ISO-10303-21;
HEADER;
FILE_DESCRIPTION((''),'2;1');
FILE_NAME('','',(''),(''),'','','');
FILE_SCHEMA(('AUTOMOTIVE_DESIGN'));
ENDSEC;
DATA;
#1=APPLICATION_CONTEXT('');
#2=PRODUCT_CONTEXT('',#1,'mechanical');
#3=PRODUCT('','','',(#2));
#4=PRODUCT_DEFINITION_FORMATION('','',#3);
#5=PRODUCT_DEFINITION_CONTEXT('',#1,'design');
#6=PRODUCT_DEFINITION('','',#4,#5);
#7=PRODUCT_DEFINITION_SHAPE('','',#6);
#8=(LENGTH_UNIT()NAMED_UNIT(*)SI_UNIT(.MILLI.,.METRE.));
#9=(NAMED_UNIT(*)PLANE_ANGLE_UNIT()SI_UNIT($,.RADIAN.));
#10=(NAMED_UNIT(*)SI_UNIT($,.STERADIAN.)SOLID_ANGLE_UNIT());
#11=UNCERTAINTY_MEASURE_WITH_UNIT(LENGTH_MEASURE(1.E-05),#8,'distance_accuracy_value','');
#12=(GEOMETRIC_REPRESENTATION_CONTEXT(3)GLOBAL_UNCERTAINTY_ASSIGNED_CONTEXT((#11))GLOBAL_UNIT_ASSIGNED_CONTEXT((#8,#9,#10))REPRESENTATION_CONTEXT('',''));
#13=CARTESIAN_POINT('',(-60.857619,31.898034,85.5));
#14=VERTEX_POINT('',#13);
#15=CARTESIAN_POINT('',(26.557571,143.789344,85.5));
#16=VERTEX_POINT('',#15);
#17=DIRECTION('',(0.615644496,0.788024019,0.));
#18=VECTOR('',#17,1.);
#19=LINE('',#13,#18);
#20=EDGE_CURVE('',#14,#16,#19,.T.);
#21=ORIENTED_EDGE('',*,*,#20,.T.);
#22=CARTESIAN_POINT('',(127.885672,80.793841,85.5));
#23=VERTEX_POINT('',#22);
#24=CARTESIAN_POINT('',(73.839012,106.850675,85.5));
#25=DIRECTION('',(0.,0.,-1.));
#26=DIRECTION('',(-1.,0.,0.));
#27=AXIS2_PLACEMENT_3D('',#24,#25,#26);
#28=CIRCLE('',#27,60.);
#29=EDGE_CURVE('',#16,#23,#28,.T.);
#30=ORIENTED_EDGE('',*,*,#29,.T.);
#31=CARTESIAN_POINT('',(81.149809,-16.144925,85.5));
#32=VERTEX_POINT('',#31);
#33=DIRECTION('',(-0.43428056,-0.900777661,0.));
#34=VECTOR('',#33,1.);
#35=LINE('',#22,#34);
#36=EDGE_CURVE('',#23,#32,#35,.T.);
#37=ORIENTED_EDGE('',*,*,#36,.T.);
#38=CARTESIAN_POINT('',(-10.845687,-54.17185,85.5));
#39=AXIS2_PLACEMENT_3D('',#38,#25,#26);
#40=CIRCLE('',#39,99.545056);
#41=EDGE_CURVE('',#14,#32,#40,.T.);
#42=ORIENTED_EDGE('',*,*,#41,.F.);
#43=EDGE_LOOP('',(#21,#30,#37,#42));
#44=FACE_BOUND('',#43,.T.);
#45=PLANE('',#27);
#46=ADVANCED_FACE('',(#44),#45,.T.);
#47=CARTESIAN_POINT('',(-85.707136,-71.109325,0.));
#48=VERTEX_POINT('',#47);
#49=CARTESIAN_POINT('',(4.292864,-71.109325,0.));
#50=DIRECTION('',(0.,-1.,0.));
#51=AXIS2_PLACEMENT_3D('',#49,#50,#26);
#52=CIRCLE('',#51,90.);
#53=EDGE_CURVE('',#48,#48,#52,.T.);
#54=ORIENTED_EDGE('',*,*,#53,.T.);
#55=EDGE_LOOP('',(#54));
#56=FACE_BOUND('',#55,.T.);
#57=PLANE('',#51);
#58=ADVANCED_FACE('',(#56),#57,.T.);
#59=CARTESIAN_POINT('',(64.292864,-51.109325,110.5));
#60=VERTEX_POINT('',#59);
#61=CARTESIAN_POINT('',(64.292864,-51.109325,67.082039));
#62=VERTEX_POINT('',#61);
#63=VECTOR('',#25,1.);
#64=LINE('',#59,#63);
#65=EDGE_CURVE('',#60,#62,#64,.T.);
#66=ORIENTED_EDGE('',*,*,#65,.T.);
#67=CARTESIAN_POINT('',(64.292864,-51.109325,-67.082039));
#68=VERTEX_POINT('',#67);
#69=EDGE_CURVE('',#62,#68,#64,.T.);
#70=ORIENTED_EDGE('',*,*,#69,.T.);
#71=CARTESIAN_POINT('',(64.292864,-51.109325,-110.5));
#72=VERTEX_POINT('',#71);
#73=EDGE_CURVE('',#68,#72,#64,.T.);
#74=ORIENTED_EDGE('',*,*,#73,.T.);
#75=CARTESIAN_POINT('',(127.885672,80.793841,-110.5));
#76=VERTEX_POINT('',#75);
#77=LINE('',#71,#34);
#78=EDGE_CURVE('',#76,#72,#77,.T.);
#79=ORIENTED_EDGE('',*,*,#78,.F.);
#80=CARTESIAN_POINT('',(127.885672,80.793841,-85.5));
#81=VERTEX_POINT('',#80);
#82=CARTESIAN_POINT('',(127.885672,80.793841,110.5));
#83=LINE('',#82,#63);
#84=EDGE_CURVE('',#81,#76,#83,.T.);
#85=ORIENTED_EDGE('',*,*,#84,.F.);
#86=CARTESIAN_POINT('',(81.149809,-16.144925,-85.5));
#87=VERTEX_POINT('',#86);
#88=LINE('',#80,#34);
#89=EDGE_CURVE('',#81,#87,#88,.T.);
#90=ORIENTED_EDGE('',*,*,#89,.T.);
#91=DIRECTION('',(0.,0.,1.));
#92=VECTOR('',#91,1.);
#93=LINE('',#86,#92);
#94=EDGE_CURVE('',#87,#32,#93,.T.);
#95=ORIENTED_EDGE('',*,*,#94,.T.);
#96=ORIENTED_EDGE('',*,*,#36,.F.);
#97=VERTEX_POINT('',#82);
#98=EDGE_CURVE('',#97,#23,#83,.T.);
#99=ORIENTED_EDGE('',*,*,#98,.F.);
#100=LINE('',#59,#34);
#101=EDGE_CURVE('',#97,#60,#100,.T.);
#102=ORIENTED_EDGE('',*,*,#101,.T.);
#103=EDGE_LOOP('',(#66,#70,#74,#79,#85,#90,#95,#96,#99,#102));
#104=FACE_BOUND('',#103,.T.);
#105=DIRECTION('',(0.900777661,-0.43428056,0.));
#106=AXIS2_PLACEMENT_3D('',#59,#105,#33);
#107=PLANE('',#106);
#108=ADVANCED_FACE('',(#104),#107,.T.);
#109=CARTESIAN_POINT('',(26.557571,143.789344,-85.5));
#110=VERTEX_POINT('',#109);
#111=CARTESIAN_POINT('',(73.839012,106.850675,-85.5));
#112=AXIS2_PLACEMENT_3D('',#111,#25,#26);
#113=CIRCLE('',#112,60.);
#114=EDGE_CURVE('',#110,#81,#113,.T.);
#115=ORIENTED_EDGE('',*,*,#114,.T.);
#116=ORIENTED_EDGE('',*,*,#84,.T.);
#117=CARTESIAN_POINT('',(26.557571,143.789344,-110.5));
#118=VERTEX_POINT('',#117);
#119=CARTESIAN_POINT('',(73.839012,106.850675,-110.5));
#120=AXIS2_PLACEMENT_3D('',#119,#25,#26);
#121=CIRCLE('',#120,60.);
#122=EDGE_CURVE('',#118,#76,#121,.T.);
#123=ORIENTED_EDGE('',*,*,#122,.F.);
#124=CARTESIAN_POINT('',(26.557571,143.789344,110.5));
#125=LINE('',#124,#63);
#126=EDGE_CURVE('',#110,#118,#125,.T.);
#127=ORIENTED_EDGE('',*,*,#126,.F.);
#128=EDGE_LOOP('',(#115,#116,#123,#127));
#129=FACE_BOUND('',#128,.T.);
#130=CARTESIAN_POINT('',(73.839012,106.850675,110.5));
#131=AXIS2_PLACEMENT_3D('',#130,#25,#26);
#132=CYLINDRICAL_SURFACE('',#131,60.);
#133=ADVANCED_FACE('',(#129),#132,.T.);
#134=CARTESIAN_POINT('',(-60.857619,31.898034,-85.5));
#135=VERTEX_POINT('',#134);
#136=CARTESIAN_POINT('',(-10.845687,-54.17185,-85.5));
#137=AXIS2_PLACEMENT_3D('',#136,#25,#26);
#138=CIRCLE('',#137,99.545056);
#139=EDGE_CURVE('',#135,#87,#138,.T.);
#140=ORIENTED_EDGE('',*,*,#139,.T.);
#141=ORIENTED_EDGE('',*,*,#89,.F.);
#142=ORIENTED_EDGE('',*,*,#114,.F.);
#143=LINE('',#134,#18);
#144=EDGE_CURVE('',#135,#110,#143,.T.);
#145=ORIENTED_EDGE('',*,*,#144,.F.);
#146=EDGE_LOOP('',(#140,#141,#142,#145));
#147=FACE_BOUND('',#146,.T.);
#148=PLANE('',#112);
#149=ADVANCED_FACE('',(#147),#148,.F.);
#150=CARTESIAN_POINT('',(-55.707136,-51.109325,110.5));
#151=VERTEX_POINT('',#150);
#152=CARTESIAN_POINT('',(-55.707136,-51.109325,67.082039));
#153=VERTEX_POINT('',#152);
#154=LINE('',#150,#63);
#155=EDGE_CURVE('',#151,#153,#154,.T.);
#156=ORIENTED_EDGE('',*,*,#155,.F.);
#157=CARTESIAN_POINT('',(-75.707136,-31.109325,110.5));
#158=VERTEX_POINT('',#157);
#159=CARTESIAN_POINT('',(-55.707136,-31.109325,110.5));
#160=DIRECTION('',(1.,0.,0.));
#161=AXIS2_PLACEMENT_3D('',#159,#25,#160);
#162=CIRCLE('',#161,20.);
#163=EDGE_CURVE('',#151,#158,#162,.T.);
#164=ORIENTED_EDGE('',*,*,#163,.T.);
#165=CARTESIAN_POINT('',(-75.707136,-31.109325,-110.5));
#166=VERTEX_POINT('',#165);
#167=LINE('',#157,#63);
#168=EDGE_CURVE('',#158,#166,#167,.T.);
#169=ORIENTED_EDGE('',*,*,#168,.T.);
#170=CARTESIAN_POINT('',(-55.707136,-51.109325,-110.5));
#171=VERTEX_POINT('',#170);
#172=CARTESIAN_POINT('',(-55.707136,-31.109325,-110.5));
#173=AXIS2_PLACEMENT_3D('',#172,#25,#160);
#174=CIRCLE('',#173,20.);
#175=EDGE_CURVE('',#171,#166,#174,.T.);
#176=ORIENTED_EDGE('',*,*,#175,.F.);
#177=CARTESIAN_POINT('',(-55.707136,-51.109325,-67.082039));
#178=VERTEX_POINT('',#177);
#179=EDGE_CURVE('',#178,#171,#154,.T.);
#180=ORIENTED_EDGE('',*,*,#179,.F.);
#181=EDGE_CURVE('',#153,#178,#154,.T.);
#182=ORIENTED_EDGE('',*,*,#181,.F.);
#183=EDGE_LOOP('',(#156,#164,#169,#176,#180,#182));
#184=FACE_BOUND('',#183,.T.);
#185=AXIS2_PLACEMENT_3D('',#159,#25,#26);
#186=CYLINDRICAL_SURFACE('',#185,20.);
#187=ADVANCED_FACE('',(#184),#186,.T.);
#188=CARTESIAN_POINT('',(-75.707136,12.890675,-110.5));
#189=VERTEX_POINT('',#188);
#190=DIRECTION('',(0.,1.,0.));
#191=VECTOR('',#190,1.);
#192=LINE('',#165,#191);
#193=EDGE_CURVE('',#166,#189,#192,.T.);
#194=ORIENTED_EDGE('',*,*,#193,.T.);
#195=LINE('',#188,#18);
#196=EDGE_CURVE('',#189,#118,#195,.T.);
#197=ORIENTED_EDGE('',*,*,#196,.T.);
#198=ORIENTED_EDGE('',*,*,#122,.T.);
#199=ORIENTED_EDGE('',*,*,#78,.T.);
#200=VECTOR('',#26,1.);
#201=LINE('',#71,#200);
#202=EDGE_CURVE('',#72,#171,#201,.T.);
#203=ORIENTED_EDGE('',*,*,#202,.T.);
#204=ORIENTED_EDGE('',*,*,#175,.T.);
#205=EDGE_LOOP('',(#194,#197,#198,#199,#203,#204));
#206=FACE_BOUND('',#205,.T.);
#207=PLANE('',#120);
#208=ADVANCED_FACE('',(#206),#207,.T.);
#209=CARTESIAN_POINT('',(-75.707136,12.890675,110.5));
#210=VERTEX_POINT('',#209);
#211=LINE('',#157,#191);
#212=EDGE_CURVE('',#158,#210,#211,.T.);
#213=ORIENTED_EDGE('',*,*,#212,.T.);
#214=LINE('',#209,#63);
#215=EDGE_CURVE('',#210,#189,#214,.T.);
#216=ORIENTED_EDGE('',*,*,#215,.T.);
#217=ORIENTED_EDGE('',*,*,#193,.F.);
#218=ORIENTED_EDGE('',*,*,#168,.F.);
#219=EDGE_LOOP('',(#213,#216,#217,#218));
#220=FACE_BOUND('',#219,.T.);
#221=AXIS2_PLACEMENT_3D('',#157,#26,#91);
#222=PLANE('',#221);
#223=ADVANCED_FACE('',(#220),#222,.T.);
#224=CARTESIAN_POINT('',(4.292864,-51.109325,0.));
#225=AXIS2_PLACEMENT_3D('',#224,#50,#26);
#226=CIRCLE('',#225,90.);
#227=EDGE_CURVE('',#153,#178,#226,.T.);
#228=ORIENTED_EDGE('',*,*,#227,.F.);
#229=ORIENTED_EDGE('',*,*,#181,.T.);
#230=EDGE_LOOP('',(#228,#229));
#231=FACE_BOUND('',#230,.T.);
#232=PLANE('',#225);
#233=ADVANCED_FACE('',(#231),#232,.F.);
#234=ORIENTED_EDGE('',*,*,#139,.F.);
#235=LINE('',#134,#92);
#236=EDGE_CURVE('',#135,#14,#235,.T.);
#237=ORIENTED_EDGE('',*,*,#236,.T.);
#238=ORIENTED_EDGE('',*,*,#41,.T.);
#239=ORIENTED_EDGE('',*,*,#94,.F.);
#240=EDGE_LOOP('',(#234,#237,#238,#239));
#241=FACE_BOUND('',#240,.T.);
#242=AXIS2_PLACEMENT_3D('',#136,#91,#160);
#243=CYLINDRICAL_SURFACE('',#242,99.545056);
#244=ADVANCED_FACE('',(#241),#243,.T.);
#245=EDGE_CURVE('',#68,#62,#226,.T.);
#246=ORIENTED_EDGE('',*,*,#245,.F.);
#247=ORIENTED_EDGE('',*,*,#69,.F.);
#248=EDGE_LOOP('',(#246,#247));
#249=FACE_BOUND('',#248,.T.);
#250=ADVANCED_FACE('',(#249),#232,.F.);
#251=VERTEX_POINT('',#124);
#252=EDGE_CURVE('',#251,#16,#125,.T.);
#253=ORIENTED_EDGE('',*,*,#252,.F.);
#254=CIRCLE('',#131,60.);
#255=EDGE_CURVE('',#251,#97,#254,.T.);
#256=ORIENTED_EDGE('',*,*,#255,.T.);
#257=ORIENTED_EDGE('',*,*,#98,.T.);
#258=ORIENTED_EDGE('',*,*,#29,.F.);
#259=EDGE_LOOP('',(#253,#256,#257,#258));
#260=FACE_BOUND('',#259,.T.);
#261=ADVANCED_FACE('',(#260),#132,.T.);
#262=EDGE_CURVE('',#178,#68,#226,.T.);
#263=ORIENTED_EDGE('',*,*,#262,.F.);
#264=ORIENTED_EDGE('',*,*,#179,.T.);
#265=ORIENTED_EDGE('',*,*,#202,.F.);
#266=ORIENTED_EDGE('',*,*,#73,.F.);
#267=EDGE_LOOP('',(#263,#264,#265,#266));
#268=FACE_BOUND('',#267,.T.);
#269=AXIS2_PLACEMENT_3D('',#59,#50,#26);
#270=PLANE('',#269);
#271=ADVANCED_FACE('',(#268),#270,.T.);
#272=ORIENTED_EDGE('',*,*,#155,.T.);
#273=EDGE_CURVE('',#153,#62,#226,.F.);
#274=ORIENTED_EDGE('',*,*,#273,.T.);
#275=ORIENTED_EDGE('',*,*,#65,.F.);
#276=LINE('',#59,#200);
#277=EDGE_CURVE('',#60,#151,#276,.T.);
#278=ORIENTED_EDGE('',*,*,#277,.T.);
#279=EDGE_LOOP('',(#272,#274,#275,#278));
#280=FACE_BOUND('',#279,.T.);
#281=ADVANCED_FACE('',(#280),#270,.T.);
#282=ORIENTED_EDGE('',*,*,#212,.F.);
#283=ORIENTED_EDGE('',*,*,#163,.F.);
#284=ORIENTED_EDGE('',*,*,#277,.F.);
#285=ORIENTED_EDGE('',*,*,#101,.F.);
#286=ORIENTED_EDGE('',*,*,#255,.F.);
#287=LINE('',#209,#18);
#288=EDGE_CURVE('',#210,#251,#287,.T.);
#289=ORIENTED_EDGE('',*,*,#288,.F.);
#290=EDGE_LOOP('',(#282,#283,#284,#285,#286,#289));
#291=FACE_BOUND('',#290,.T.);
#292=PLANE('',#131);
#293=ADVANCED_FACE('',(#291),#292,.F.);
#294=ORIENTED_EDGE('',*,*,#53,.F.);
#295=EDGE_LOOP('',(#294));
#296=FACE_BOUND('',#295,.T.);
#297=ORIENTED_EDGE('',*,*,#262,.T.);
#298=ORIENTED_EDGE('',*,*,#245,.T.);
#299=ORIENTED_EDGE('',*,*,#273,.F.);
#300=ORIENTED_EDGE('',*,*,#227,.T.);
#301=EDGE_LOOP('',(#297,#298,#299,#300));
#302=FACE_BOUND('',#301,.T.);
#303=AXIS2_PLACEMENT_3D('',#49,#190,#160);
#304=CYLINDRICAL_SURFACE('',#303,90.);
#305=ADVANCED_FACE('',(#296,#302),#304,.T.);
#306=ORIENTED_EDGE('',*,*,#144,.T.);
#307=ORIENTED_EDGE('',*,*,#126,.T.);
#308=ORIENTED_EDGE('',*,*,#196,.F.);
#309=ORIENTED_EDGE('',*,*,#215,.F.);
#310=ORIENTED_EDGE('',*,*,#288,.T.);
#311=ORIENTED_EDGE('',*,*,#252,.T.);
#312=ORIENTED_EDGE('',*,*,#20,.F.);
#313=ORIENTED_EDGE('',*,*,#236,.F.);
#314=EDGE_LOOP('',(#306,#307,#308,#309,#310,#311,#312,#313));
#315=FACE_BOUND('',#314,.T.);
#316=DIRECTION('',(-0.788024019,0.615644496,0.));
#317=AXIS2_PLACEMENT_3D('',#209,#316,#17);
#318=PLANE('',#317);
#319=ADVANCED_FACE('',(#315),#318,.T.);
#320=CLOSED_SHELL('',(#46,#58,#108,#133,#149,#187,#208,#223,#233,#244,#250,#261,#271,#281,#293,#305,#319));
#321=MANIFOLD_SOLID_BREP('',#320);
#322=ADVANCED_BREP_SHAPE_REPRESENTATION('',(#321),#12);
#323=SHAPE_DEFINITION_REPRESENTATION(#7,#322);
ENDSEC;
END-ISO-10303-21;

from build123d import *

# Parameters (mm, degrees)
BOSS_EXTRUDE1_DEPTH      = 110.5
BOSS_EXTRUDE1_DEPTH_BACK = 110.5
CUT_EXTRUDE1_DEPTH       = 85.5
CUT_EXTRUDE1_DEPTH_BACK  = 85.5
SKETCH3_R                = 90
BOSS_EXTRUDE2_DEPTH      = 20
BODY_MOVE_COPY1_ANGLE    = 90


with BuildPart() as part:
    # Sketch1 → Boss-Extrude1 (new, two sides: drawn at the far end of the back side and taken through both)
    with BuildSketch(Plane(origin=(0, 0, 0), x_dir=(0, 0, -1), z_dir=(1, 0, 0)).offset(-BOSS_EXTRUDE1_DEPTH_BACK)):
        with BuildLine():
            Line((-64.292863754, -51.10932545), (55.707136246, -51.10932545))
            ThreePointArc((55.707136246, -51.10932545), (69.84927187, -45.251461074), (75.707136246, -31.10932545))
            Line((75.707136246, -31.10932545), (75.707136246, 12.89067455))
            Line((75.707136246, 12.89067455), (-26.557571018, 143.789344322))
            ThreePointArc((-26.557571018, 143.789344322), (-105.517875867, 157.806043193), (-127.885671837, 80.793840961))
            Line((-127.885671837, 80.793840961), (-64.292863754, -51.10932545))
        make_face()
    extrude(amount=BOSS_EXTRUDE1_DEPTH + BOSS_EXTRUDE1_DEPTH_BACK)

    # Sketch2 → Cut-Extrude1 (cut, two sides: drawn at the far end of the back side and taken through both)
    with BuildSketch(Plane(origin=(0, 0, 0), x_dir=(0, 0, -1), z_dir=(1, 0, 0)).offset(-CUT_EXTRUDE1_DEPTH_BACK)):
        with BuildLine():
            Line((-127.885671837, 80.793840961), (-81.149808611, -16.144925076))
            ThreePointArc((-81.149808611, -16.144925076), (-21.055510127, 40.123069763), (60.857619094, 31.898033921))
            Line((60.857619094, 31.898033921), (-26.557571018, 143.789344322))
            ThreePointArc((-26.557571018, 143.789344322), (-105.517875867, 157.806043193), (-127.885671837, 80.793840961))
        make_face()
    extrude(amount=CUT_EXTRUDE1_DEPTH + CUT_EXTRUDE1_DEPTH_BACK, mode=Mode.SUBTRACT)

    # Sketch3 → Boss-Extrude2 (add)
    with BuildSketch(Plane.XZ.offset(51.10932545)):
        with Locations((0, 4.292863754)):
            Circle(SKETCH3_R)
    extrude(amount=BOSS_EXTRUDE2_DEPTH)


with BuildPart() as part_1:
    # Body-Move/Copy1: moved
    add(part.part.rotate(Axis((0, 0, 0), (0, 1, 0)), BODY_MOVE_COPY1_ANGLE))


solid = part_1.part
